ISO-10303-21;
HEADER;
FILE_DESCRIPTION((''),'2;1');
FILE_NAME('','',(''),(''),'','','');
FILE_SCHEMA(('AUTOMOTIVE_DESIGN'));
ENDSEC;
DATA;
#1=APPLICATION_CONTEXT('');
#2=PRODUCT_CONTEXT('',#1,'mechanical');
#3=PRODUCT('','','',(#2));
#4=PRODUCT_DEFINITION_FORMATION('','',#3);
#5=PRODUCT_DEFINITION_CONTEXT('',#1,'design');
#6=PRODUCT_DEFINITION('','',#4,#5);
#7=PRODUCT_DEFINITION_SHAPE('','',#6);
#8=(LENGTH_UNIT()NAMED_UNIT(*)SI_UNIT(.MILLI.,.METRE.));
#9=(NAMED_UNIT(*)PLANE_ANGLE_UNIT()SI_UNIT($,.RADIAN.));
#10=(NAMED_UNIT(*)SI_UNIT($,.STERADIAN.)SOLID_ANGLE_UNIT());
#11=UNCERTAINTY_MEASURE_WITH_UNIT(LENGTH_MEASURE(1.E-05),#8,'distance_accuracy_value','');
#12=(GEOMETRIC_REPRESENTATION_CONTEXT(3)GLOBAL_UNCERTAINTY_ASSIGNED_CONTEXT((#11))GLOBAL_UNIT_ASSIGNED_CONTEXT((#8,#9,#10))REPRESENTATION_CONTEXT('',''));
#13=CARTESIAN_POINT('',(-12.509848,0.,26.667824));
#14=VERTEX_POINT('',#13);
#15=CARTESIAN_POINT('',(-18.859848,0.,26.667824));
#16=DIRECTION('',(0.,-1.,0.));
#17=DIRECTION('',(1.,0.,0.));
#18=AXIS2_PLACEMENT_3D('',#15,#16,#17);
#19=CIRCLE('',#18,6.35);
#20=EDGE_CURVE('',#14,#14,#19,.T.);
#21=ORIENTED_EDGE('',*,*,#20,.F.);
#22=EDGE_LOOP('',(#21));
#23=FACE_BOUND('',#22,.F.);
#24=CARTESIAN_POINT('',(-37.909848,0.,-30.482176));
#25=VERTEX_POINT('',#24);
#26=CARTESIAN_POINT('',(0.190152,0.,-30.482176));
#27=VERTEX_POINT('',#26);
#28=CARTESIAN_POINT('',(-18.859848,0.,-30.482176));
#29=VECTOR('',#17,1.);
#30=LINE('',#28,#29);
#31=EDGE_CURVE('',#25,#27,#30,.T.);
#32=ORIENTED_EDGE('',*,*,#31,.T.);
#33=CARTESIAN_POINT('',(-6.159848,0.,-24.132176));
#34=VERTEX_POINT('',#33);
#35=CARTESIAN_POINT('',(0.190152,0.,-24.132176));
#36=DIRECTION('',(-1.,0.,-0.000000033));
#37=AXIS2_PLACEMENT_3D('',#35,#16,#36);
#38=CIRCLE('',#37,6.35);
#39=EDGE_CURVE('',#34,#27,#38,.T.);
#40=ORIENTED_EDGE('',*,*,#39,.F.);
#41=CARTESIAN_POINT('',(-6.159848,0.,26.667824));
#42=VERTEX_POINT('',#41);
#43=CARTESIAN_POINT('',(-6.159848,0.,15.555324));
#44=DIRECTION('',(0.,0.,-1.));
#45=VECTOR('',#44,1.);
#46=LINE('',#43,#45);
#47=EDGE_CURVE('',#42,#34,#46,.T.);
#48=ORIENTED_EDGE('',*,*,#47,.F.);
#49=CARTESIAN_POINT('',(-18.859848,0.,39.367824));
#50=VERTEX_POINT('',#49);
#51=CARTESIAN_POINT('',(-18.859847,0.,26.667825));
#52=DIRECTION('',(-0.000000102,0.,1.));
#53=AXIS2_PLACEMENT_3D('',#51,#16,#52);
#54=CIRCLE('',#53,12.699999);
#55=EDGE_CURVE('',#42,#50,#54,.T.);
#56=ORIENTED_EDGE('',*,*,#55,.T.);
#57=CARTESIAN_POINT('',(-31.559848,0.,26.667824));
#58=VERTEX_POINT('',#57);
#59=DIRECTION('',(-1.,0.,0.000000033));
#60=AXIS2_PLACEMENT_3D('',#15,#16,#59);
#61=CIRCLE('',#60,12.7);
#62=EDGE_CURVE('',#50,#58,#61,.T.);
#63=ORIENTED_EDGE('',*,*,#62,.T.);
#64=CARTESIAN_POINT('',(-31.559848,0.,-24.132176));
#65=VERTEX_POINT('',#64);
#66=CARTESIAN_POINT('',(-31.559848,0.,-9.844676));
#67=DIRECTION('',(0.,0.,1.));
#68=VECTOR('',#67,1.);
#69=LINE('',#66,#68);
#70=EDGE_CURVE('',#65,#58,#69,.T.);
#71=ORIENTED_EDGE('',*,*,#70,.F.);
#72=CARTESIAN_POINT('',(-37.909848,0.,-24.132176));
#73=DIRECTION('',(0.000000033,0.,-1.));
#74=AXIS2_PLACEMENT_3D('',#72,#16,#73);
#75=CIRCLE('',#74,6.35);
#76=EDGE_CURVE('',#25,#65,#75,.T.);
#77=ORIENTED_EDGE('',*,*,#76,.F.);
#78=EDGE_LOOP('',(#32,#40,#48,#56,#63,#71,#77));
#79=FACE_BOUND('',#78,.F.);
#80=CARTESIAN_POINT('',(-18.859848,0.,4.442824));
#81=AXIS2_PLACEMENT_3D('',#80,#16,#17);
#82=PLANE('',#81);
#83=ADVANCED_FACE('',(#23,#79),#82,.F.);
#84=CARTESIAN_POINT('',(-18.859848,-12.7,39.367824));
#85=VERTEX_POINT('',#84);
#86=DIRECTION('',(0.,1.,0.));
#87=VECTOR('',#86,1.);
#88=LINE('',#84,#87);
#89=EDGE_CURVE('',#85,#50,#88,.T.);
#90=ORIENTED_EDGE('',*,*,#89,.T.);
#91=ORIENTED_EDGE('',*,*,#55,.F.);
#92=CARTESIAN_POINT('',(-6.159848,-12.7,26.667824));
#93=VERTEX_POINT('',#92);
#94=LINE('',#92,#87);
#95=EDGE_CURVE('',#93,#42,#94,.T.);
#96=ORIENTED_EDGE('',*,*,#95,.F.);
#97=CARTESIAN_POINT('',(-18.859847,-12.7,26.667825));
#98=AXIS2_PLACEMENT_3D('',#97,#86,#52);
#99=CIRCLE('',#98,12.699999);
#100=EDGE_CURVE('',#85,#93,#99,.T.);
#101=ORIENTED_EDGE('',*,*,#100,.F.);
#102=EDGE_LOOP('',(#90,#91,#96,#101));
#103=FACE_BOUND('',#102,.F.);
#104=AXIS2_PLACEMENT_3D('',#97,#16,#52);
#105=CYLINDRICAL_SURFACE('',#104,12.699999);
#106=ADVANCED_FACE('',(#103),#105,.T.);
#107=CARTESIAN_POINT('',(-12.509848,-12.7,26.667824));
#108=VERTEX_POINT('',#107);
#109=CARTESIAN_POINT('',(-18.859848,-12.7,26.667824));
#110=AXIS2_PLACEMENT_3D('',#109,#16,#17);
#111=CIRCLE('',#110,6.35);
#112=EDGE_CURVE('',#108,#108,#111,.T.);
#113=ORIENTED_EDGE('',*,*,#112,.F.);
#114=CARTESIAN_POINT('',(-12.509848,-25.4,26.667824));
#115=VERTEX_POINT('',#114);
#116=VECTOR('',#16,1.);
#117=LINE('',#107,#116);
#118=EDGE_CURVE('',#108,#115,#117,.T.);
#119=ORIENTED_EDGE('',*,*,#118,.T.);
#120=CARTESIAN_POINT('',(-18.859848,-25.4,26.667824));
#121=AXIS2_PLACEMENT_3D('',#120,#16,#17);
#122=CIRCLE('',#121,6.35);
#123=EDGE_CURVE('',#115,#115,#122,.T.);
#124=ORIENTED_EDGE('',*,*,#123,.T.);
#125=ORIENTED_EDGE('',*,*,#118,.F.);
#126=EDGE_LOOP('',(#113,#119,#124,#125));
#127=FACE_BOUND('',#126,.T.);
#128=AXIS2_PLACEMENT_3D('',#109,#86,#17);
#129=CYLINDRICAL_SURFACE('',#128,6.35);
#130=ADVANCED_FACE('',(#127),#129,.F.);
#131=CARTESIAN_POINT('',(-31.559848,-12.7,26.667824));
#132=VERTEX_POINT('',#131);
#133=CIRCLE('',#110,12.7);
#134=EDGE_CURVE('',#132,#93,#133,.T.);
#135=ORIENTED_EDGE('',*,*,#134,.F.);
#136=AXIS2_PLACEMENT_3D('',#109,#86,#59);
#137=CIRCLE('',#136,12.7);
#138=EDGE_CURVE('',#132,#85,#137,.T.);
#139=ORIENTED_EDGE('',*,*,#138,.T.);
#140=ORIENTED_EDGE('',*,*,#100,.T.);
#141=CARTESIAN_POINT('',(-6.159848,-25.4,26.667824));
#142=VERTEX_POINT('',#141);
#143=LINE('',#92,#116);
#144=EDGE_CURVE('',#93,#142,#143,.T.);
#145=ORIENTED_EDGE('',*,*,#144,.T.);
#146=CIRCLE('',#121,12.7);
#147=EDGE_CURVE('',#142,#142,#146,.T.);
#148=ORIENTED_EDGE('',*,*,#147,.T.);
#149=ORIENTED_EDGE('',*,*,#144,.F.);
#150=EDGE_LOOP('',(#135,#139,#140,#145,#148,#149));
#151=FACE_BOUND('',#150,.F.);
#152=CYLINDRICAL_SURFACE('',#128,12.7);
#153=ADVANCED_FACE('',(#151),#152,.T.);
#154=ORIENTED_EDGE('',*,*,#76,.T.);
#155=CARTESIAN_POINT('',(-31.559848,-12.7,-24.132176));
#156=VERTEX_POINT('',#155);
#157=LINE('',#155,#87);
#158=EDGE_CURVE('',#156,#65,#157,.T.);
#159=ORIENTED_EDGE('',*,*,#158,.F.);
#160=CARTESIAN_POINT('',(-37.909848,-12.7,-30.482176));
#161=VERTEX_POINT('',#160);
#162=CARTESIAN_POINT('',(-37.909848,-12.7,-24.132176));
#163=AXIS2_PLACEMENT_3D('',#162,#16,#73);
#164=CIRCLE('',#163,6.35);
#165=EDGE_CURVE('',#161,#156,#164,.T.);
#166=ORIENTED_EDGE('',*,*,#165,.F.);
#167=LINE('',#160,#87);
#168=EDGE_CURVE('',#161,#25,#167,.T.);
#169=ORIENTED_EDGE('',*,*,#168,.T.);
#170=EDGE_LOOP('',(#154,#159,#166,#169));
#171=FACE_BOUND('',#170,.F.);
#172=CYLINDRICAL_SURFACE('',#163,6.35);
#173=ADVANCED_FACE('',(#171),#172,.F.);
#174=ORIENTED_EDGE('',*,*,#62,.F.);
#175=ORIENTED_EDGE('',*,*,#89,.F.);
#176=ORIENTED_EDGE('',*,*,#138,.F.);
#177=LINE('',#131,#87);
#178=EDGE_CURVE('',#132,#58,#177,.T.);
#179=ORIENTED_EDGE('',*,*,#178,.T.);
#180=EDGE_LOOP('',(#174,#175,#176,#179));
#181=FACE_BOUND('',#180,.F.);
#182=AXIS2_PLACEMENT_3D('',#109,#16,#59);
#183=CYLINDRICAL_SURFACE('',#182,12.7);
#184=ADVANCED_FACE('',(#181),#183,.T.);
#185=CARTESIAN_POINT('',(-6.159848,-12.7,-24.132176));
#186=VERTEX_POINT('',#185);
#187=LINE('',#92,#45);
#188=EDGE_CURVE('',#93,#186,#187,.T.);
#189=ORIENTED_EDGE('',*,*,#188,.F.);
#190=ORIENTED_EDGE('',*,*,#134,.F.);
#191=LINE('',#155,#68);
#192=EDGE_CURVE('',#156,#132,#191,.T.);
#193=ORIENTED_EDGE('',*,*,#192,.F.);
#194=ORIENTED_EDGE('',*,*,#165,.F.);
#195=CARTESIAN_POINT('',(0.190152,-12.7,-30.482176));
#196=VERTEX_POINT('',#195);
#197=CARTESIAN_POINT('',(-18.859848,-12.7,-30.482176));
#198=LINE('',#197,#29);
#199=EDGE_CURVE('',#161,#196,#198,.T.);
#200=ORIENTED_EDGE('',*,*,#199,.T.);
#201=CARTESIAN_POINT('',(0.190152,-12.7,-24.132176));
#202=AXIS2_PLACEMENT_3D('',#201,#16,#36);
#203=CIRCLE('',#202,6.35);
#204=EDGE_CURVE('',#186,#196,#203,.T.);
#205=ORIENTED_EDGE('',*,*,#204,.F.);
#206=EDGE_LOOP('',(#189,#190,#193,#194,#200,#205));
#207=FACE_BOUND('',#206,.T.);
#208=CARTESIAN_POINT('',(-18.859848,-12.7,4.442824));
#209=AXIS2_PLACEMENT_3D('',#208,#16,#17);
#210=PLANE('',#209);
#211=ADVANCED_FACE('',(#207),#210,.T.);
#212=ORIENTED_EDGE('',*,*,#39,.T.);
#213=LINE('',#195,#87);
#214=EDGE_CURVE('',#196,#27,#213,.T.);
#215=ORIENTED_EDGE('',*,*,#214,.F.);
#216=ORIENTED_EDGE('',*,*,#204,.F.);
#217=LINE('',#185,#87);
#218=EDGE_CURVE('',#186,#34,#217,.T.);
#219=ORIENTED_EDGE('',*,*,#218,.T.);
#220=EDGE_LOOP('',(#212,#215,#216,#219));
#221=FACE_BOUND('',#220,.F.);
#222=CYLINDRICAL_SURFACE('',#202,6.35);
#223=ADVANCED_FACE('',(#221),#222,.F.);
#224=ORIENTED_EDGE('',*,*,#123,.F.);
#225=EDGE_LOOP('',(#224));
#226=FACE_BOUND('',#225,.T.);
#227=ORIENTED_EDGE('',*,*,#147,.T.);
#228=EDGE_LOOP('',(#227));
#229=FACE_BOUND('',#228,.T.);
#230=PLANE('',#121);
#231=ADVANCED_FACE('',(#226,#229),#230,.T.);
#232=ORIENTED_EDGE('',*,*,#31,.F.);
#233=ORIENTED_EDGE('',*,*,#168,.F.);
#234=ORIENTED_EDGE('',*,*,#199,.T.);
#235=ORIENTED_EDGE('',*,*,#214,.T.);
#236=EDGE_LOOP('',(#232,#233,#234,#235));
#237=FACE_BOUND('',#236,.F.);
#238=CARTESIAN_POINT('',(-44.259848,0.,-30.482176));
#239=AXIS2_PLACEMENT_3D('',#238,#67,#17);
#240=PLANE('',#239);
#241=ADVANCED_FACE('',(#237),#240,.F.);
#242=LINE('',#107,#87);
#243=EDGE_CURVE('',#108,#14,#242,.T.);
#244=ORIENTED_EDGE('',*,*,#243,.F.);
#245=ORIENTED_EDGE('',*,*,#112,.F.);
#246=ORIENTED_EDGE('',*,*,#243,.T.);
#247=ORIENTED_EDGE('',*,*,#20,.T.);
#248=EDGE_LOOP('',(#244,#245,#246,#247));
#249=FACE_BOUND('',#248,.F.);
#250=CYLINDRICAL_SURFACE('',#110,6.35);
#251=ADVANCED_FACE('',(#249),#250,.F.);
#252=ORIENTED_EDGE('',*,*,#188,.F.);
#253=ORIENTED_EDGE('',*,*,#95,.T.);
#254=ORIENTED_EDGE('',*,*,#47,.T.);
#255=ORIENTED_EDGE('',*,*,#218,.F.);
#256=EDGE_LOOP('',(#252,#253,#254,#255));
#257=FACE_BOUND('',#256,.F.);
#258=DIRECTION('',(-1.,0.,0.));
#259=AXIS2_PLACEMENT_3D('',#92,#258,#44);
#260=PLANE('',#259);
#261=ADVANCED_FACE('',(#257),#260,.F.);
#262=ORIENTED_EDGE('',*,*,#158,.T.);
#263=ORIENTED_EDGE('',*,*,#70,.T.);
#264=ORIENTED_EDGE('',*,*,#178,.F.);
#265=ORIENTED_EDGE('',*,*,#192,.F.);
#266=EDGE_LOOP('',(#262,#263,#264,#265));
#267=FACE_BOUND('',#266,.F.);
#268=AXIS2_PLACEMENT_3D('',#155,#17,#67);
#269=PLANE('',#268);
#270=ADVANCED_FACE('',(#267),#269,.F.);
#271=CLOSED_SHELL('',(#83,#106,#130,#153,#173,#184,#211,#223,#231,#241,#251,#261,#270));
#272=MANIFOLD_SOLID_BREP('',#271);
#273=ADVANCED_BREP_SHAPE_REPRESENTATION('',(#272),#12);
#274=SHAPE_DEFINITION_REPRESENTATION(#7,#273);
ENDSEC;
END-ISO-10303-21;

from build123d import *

# Parameters (mm, degrees)
F0_W     = 50.8
F0_H     = 69.85
F1_DEPTH = 12.7
F2_R     = 6.35
F3_DEPTH = 31.75
F4_DEPTH = 12.7


with BuildPart() as f1:
    # F0 (on Front) → F1 (new body)
    with BuildSketch(Plane.XZ):
        with Locations((-18.859848, 4.442824)):
            Rectangle(F0_W, F0_H)
    extrude(amount=F1_DEPTH)

    # F2 (on face) → F3 (cut)
    with BuildSketch(Plane.XZ.offset(12.7)):
        with BuildLine():
            Line((-31.559848, -24.132176), (-31.559848, 26.667824))
            ThreePointArc((-31.559848, 26.667824), (-27.840104, 35.64808), (-18.859848, 39.367824))
            Line((-18.859848, 39.367824), (-44.259848, 39.367824))
            Line((-44.259848, 39.367824), (-44.259848, -30.482176))
            Line((-44.259848, -30.482176), (-37.909848, -30.482176))
            ThreePointArc((-37.909848, -30.482176), (-33.41972, -28.622304), (-31.559848, -24.132176))
        make_face()
        with Locations((-18.859848, 26.667824)):
            Circle(F2_R)
        with BuildLine():
            ThreePointArc((-18.859848, 39.367824), (-9.879591, 35.64808), (-6.159848, 26.667824))
            Line((-6.159848, 26.667824), (-6.159848, -24.132176))
            ThreePointArc((-6.159848, -24.132176), (-4.299976, -28.622304), (0.190152, -30.482176))
            Line((0.190152, -30.482176), (6.540152, -30.482176))
            Line((6.540152, -30.482176), (6.540152, 39.367824))
            Line((6.540152, 39.367824), (-18.859848, 39.367824))
        make_face()
    extrude(amount=-F3_DEPTH, mode=Mode.SUBTRACT)

    # F2 (on face) → F4 (join)
    with BuildSketch(Plane.XZ.offset(12.7)):
        with BuildLine():
            ThreePointArc((-31.559848, 26.667824), (-18.859848, 13.967824), (-6.159848, 26.667824))
            ThreePointArc((-6.159848, 26.667824), (-18.859848, 39.367824), (-31.559848, 26.667824))
        make_face()
        with Locations((-18.859848, 26.667824)):
            Circle(F2_R, mode=Mode.SUBTRACT)
    extrude(amount=F4_DEPTH)


solid = f1.part
